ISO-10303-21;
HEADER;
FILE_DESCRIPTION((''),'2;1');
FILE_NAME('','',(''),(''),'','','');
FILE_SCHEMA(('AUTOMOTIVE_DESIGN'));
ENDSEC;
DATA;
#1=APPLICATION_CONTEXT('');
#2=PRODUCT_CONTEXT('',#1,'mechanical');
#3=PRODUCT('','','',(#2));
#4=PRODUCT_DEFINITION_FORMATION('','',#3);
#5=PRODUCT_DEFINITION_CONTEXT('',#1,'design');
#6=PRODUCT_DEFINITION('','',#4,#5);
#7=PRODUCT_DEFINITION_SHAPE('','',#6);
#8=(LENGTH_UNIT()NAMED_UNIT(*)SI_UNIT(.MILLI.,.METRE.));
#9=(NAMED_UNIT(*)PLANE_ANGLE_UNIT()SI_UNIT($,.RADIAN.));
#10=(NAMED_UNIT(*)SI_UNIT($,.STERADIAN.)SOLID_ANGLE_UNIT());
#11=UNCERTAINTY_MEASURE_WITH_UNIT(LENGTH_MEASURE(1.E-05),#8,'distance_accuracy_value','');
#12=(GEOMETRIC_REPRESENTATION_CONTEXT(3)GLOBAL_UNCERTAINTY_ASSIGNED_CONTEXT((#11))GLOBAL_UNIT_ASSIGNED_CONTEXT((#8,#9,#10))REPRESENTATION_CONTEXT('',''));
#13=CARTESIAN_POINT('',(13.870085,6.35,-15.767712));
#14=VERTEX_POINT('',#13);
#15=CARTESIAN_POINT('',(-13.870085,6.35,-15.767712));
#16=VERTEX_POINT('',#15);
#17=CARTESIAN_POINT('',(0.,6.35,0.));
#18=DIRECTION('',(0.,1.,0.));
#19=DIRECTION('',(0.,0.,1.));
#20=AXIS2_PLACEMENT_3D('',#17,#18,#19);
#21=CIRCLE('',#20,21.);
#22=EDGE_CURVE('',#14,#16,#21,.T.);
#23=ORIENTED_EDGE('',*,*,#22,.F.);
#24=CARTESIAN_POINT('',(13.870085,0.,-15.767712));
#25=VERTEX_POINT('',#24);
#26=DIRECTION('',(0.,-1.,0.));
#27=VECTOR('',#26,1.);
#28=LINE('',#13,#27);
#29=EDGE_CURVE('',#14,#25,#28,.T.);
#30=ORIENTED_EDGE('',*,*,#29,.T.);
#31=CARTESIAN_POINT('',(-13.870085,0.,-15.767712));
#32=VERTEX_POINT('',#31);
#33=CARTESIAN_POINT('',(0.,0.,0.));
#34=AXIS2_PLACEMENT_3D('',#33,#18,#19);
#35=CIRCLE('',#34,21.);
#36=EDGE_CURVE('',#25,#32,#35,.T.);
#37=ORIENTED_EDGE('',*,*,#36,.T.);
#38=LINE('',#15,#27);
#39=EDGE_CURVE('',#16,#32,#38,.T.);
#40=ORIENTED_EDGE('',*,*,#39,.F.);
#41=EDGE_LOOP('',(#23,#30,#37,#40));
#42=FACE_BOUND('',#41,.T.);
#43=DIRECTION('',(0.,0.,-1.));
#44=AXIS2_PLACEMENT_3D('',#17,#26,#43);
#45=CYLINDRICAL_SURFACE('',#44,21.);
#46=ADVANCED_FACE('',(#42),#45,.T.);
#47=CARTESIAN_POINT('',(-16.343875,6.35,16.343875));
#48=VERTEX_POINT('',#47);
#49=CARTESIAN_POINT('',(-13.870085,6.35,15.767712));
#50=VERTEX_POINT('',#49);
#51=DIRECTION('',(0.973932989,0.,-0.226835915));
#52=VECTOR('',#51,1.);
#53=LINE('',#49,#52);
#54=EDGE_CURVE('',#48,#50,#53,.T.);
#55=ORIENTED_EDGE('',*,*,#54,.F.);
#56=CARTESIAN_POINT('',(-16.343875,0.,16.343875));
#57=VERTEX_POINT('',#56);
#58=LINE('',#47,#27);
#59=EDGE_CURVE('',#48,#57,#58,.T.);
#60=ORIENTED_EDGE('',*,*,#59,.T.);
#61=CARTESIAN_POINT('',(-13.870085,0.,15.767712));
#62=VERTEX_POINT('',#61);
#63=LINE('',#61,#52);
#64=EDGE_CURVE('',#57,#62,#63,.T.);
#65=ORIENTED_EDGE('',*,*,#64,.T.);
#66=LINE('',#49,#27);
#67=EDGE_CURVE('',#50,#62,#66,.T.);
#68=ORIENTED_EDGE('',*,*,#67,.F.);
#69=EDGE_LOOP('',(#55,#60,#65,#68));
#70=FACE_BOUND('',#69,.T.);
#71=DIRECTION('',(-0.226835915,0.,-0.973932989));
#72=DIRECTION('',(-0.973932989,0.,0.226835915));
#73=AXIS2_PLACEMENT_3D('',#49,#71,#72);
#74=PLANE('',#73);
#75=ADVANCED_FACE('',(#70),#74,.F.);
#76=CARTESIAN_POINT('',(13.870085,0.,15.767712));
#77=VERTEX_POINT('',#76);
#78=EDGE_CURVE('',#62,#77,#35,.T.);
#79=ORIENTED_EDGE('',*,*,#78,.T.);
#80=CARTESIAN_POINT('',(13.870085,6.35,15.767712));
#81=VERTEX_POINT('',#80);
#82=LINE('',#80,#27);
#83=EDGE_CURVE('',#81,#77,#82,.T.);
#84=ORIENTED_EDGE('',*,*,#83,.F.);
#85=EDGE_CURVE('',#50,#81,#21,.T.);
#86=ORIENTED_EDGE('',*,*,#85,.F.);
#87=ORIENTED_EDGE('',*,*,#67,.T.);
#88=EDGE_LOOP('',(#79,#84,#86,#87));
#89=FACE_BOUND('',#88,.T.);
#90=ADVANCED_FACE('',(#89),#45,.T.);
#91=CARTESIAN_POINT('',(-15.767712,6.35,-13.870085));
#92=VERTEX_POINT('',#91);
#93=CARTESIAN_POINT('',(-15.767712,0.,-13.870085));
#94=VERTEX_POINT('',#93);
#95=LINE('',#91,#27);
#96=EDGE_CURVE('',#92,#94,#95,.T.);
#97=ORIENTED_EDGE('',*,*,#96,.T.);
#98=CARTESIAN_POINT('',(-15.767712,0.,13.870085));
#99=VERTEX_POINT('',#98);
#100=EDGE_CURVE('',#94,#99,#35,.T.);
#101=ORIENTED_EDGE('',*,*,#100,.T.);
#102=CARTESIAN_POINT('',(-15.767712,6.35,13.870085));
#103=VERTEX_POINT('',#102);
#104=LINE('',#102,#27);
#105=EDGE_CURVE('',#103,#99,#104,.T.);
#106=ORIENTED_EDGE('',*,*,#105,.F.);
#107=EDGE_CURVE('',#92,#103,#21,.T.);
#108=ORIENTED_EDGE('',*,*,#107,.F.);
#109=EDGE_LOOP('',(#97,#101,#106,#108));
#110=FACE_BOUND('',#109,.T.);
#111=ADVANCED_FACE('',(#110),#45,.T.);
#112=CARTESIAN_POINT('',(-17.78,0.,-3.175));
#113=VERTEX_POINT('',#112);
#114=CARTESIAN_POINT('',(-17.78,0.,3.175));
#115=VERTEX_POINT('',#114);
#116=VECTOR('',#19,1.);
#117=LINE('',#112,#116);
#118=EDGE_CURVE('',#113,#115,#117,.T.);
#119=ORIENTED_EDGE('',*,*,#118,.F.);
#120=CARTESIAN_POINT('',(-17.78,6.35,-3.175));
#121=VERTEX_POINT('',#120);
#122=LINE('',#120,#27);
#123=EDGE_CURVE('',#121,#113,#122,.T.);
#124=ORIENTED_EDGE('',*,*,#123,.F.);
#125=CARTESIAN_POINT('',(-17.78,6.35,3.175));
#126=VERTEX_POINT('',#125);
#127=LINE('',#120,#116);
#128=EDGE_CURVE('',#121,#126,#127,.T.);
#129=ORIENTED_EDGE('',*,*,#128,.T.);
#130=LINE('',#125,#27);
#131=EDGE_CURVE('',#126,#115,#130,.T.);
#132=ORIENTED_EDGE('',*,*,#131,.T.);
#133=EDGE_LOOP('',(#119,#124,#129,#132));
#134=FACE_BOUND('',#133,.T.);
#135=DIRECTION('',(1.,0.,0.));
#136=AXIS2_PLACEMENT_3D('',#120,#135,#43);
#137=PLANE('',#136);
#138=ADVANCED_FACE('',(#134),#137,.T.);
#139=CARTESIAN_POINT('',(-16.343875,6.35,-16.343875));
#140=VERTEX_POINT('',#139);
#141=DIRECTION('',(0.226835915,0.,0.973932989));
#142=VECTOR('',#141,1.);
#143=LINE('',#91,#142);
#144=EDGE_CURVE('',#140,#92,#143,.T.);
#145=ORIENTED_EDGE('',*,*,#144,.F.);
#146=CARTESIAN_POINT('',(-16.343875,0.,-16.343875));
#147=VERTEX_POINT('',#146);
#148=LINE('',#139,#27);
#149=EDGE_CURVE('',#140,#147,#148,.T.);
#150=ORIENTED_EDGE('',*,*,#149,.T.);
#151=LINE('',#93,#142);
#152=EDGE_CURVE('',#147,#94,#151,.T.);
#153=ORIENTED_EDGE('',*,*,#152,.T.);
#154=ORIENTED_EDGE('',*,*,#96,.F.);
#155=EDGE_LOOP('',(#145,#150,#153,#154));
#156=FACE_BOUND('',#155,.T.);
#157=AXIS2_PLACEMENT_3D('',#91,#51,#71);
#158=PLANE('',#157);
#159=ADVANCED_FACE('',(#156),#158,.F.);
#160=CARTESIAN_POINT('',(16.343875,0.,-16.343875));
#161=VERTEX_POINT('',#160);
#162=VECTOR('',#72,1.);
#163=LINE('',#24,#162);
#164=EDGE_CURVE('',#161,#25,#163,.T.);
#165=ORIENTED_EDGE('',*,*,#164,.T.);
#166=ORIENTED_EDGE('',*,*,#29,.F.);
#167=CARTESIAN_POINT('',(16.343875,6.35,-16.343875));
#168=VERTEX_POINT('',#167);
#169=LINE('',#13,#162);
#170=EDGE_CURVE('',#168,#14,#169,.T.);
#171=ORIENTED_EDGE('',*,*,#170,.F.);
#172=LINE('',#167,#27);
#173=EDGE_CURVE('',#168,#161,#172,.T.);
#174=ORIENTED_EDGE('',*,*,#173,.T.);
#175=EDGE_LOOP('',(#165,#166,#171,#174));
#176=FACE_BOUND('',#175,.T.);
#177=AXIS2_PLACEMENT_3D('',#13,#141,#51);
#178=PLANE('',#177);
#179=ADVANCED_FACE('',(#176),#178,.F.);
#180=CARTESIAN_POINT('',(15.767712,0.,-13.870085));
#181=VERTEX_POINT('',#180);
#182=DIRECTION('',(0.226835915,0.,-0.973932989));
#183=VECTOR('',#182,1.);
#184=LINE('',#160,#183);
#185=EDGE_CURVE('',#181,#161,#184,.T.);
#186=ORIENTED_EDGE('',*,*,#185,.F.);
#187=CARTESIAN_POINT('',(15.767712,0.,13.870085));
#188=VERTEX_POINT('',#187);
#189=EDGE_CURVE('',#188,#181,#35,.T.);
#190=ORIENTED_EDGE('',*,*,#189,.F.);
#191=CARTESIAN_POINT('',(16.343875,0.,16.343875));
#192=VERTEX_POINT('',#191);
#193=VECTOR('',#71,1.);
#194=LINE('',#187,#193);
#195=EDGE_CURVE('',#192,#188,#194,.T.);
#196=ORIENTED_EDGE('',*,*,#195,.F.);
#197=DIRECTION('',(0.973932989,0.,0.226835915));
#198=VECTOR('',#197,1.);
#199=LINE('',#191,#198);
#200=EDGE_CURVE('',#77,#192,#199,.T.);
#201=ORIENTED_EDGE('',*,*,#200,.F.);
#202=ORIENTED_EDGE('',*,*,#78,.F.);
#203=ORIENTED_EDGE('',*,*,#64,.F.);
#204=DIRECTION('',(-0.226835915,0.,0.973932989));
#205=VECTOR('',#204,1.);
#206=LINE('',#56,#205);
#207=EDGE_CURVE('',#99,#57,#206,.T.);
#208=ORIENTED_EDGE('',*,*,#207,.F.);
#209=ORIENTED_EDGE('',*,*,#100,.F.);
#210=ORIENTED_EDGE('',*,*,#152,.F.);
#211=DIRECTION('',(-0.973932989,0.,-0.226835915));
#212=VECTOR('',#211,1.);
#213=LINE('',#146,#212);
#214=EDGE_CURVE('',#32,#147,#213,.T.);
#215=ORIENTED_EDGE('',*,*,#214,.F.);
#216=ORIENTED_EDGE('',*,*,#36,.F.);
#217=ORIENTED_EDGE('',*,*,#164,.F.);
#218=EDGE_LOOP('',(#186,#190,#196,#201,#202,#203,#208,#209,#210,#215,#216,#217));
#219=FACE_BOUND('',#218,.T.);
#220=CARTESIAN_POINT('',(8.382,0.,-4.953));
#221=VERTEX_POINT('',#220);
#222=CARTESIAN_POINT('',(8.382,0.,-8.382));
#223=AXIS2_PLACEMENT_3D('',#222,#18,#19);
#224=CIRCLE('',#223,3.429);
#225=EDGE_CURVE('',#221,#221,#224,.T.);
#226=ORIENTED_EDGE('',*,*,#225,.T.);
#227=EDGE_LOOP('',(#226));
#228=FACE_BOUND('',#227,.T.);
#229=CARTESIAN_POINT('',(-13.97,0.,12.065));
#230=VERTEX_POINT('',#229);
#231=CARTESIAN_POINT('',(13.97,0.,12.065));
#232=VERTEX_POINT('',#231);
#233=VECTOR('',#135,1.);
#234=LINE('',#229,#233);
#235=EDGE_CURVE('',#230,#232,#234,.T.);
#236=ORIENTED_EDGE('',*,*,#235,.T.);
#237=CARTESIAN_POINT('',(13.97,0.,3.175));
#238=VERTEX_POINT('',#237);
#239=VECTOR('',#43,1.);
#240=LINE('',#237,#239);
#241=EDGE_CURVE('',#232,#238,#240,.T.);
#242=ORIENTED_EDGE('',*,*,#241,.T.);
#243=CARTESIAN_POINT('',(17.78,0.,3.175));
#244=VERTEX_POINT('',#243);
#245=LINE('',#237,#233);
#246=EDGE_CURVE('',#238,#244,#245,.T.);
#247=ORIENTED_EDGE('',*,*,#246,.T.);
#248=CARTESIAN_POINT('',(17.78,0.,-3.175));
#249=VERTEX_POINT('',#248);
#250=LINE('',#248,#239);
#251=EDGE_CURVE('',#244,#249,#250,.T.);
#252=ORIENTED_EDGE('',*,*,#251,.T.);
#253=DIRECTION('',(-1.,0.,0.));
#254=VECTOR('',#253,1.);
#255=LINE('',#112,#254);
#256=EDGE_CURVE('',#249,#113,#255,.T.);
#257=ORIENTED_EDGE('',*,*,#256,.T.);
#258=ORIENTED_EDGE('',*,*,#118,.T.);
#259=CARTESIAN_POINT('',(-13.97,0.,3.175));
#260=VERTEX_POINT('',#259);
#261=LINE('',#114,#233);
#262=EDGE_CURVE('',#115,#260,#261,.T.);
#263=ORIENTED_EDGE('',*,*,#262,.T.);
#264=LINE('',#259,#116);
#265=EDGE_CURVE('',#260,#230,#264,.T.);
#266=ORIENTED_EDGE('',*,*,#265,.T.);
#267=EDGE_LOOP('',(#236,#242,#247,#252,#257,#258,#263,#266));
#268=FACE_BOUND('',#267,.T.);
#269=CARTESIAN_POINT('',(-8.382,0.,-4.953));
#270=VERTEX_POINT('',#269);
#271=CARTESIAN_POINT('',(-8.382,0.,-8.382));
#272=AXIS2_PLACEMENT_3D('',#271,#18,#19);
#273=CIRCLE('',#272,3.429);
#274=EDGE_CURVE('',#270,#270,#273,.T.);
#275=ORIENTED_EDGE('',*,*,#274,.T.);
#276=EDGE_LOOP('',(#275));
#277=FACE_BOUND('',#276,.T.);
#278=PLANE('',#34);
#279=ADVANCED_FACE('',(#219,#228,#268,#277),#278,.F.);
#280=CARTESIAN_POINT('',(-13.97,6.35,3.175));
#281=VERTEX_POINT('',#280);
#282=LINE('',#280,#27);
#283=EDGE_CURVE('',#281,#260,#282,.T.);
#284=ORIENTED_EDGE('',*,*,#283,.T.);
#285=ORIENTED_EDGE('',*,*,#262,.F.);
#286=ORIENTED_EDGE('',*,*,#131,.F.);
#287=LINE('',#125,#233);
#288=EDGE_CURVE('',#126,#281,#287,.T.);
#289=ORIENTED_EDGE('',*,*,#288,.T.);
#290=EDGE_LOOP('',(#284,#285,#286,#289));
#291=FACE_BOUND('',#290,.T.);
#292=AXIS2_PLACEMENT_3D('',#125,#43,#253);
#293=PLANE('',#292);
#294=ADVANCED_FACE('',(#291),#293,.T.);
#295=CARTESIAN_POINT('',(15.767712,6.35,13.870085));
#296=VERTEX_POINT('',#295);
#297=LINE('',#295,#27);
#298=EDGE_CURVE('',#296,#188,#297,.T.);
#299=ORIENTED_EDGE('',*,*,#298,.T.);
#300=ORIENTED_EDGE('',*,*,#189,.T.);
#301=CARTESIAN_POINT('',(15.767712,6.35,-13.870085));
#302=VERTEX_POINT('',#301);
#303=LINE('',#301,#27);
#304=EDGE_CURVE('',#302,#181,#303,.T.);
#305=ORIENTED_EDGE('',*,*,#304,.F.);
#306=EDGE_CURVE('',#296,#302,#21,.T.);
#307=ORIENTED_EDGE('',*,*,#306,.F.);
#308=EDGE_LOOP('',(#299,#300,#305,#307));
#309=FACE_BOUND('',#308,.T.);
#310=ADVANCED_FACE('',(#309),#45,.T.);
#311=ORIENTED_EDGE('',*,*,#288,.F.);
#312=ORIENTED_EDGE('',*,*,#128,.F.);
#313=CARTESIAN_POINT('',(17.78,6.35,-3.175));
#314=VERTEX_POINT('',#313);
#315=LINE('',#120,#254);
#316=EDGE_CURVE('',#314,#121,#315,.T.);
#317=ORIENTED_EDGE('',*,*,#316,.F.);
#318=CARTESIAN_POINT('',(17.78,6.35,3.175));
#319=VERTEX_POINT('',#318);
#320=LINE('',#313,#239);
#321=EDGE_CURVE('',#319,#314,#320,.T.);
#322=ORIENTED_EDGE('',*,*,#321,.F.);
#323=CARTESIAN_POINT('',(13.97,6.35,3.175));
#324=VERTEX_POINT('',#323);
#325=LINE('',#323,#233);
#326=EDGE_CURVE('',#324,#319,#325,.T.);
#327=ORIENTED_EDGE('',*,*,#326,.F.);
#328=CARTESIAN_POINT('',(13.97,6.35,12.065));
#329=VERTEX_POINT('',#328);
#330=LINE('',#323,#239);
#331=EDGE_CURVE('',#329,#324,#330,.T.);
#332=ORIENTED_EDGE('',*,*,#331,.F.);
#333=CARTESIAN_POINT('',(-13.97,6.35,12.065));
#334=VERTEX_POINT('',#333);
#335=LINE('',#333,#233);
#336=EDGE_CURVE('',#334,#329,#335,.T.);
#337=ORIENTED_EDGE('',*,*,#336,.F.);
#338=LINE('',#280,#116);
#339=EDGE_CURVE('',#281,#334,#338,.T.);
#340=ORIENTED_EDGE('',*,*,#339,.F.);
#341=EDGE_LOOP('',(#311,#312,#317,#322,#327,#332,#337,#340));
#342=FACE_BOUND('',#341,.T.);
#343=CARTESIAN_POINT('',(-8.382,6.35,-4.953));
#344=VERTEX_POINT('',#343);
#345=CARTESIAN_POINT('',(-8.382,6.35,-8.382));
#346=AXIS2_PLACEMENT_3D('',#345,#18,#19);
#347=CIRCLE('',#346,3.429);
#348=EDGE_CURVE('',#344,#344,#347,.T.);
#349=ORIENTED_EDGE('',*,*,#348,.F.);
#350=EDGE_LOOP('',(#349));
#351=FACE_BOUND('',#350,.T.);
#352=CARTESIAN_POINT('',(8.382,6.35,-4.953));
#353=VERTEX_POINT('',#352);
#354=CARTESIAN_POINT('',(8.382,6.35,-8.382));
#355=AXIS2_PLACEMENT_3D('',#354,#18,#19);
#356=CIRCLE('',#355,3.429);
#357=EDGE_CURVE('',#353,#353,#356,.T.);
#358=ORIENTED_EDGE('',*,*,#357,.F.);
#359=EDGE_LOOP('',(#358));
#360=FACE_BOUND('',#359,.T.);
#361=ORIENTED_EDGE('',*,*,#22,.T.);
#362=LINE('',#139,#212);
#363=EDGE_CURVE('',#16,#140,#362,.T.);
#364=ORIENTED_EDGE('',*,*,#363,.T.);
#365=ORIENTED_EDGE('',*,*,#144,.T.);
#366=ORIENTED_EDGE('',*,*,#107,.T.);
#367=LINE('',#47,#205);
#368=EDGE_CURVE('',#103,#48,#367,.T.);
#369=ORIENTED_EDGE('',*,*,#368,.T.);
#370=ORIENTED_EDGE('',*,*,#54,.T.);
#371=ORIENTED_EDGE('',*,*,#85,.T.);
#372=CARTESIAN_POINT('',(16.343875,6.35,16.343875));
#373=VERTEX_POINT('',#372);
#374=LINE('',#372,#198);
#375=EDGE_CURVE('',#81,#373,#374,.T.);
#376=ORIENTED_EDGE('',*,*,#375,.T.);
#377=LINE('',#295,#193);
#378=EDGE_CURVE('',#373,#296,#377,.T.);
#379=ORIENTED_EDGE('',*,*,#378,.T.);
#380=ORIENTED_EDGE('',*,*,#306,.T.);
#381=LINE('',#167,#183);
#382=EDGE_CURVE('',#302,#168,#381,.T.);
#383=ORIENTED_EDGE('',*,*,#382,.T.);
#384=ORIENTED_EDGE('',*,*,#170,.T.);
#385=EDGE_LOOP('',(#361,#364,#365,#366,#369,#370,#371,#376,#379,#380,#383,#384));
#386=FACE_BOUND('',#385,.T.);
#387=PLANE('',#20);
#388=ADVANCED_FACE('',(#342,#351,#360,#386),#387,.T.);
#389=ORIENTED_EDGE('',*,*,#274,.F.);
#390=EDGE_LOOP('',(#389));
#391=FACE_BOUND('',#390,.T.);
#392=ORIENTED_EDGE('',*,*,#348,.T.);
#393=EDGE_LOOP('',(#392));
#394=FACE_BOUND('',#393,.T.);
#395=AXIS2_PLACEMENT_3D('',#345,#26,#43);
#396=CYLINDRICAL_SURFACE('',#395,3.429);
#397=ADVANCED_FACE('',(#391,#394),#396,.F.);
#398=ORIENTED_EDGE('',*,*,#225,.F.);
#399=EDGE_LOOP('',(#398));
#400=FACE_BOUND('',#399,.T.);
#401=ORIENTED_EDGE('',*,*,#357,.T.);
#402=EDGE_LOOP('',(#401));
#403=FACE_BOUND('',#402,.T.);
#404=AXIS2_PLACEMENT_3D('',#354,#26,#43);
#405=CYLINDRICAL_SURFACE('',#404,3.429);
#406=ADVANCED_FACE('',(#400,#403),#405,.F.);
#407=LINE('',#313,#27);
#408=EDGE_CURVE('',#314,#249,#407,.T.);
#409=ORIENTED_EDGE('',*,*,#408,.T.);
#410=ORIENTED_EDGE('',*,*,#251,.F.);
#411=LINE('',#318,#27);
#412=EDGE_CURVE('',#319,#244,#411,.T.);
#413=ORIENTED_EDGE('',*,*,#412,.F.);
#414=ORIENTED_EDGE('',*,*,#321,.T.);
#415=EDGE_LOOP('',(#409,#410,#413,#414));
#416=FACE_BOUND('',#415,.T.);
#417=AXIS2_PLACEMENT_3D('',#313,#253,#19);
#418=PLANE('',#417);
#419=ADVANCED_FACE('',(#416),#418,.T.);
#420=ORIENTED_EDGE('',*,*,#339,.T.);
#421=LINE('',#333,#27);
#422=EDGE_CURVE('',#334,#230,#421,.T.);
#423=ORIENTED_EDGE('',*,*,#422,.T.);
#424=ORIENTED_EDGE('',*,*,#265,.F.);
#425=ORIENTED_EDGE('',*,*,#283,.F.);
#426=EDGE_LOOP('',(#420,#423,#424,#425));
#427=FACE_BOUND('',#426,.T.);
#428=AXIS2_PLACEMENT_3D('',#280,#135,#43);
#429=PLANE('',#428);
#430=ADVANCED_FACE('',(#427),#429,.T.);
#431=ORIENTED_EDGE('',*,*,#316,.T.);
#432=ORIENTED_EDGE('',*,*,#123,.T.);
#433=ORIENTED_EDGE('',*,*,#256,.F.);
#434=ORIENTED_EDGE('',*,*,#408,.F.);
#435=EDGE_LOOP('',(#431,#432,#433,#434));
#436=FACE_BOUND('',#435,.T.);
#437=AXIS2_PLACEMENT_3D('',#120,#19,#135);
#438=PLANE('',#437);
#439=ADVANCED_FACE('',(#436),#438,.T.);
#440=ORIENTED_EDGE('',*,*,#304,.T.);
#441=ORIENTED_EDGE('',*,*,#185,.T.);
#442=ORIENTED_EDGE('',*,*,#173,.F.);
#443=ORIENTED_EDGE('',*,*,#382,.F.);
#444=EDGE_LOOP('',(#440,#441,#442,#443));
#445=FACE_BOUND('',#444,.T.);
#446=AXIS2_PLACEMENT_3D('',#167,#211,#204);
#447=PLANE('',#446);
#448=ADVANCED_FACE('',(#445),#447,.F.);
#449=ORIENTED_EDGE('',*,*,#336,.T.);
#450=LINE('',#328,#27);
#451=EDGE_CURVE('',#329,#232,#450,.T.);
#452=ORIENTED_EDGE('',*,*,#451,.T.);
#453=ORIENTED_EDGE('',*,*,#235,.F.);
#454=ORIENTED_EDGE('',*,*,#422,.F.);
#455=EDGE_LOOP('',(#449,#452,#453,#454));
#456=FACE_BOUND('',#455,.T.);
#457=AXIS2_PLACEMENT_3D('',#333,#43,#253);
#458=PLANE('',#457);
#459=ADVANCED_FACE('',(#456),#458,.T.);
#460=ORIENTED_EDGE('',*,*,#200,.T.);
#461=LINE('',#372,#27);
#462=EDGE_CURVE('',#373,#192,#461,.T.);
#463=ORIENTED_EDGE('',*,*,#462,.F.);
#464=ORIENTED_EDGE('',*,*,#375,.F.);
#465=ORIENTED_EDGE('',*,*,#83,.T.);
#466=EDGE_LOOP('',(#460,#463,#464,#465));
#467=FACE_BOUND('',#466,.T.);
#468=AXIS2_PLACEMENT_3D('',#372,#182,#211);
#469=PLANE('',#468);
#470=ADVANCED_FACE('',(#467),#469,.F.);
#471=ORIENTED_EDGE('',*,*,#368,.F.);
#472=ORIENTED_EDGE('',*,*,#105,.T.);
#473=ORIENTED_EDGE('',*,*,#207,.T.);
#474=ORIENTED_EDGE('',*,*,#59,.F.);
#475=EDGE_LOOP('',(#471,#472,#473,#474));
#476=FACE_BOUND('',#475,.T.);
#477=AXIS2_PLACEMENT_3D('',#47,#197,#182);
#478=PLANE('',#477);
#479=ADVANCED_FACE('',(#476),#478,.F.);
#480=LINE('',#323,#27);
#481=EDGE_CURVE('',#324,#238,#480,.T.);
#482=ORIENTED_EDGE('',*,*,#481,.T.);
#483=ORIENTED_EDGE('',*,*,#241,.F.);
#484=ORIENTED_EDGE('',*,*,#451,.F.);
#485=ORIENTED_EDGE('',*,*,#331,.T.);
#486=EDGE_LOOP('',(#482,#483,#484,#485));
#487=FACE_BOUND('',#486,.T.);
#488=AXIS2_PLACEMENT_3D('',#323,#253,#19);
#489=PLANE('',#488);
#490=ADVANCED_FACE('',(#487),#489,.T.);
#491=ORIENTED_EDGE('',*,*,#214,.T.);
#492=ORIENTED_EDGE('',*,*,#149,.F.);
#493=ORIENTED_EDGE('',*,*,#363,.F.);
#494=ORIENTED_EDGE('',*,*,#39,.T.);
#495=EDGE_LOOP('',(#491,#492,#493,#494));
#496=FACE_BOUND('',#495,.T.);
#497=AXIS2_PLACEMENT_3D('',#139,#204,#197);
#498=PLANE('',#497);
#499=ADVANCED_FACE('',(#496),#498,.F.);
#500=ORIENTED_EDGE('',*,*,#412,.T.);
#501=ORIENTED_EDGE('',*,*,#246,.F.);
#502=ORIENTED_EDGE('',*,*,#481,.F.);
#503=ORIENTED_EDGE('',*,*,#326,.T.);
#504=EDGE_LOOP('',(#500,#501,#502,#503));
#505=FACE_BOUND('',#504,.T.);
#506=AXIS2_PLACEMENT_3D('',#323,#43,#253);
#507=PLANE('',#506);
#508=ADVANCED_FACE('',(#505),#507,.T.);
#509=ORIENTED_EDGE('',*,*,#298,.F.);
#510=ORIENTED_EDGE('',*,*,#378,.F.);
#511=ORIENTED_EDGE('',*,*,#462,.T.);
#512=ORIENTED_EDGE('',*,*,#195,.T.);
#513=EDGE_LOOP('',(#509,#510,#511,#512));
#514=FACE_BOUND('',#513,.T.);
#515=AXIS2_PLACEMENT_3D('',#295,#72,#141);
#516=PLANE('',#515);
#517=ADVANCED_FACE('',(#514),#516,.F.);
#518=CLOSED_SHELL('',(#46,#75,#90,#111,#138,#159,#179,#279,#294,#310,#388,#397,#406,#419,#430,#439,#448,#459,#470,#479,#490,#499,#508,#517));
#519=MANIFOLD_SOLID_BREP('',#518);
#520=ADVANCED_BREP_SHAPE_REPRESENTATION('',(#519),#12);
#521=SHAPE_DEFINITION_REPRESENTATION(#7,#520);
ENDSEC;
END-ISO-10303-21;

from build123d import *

# Parameters (mm, degrees)
SKETCH1_R           = 3.429
BOSS_EXTRUDE1_DEPTH = 6.35


with BuildPart() as part:
    # Sketch1 → Boss-Extrude1 (new body)
    with BuildSketch(Plane(origin=(0, 0, 0), x_dir=(1, 0, 0), z_dir=(0, 1, 0))):
        with BuildLine():
            Line((13.870085237, 15.767711804), (16.343875029, 16.343875029))
            Line((16.343875029, 16.343875029), (15.767711804, 13.870085237))
            ThreePointArc((15.767711804, 13.870085237), (21, 0), (15.767711804, -13.870085237))
            Line((15.767711804, -13.870085237), (16.343875029, -16.343875029))
            Line((16.343875029, -16.343875029), (13.870085237, -15.767711804))
            ThreePointArc((13.870085237, -15.767711804), (0, -21), (-13.870085237, -15.767711804))
            Line((-13.870085237, -15.767711804), (-16.343875029, -16.343875029))
            Line((-16.343875029, -16.343875029), (-15.767711804, -13.870085237))
            ThreePointArc((-15.767711804, -13.870085237), (-21, 0), (-15.767711804, 13.870085237))
            Line((-15.767711804, 13.870085237), (-16.343875029, 16.343875029))
            Line((-16.343875029, 16.343875029), (-13.870085237, 15.767711804))
            ThreePointArc((-13.870085237, 15.767711804), (0, 21), (13.870085237, 15.767711804))
        make_face()
        with Locations(Location((-8.382, 8.382, 0), (0, 0, 270))):
            Circle(SKETCH1_R, mode=Mode.SUBTRACT)
        with Locations(Location((8.382, 8.382, 0), (0, 0, 270))):
            Circle(SKETCH1_R, mode=Mode.SUBTRACT)
        Polygon((-13.97, -3.175), (-13.97, -12.065), (13.97, -12.065), (13.97, -3.175), (17.78, -3.175), (17.78, 3.175), (-17.78, 3.175), (-17.78, -3.175), align=None, mode=Mode.SUBTRACT)
    extrude(amount=BOSS_EXTRUDE1_DEPTH)


solid = part.part
